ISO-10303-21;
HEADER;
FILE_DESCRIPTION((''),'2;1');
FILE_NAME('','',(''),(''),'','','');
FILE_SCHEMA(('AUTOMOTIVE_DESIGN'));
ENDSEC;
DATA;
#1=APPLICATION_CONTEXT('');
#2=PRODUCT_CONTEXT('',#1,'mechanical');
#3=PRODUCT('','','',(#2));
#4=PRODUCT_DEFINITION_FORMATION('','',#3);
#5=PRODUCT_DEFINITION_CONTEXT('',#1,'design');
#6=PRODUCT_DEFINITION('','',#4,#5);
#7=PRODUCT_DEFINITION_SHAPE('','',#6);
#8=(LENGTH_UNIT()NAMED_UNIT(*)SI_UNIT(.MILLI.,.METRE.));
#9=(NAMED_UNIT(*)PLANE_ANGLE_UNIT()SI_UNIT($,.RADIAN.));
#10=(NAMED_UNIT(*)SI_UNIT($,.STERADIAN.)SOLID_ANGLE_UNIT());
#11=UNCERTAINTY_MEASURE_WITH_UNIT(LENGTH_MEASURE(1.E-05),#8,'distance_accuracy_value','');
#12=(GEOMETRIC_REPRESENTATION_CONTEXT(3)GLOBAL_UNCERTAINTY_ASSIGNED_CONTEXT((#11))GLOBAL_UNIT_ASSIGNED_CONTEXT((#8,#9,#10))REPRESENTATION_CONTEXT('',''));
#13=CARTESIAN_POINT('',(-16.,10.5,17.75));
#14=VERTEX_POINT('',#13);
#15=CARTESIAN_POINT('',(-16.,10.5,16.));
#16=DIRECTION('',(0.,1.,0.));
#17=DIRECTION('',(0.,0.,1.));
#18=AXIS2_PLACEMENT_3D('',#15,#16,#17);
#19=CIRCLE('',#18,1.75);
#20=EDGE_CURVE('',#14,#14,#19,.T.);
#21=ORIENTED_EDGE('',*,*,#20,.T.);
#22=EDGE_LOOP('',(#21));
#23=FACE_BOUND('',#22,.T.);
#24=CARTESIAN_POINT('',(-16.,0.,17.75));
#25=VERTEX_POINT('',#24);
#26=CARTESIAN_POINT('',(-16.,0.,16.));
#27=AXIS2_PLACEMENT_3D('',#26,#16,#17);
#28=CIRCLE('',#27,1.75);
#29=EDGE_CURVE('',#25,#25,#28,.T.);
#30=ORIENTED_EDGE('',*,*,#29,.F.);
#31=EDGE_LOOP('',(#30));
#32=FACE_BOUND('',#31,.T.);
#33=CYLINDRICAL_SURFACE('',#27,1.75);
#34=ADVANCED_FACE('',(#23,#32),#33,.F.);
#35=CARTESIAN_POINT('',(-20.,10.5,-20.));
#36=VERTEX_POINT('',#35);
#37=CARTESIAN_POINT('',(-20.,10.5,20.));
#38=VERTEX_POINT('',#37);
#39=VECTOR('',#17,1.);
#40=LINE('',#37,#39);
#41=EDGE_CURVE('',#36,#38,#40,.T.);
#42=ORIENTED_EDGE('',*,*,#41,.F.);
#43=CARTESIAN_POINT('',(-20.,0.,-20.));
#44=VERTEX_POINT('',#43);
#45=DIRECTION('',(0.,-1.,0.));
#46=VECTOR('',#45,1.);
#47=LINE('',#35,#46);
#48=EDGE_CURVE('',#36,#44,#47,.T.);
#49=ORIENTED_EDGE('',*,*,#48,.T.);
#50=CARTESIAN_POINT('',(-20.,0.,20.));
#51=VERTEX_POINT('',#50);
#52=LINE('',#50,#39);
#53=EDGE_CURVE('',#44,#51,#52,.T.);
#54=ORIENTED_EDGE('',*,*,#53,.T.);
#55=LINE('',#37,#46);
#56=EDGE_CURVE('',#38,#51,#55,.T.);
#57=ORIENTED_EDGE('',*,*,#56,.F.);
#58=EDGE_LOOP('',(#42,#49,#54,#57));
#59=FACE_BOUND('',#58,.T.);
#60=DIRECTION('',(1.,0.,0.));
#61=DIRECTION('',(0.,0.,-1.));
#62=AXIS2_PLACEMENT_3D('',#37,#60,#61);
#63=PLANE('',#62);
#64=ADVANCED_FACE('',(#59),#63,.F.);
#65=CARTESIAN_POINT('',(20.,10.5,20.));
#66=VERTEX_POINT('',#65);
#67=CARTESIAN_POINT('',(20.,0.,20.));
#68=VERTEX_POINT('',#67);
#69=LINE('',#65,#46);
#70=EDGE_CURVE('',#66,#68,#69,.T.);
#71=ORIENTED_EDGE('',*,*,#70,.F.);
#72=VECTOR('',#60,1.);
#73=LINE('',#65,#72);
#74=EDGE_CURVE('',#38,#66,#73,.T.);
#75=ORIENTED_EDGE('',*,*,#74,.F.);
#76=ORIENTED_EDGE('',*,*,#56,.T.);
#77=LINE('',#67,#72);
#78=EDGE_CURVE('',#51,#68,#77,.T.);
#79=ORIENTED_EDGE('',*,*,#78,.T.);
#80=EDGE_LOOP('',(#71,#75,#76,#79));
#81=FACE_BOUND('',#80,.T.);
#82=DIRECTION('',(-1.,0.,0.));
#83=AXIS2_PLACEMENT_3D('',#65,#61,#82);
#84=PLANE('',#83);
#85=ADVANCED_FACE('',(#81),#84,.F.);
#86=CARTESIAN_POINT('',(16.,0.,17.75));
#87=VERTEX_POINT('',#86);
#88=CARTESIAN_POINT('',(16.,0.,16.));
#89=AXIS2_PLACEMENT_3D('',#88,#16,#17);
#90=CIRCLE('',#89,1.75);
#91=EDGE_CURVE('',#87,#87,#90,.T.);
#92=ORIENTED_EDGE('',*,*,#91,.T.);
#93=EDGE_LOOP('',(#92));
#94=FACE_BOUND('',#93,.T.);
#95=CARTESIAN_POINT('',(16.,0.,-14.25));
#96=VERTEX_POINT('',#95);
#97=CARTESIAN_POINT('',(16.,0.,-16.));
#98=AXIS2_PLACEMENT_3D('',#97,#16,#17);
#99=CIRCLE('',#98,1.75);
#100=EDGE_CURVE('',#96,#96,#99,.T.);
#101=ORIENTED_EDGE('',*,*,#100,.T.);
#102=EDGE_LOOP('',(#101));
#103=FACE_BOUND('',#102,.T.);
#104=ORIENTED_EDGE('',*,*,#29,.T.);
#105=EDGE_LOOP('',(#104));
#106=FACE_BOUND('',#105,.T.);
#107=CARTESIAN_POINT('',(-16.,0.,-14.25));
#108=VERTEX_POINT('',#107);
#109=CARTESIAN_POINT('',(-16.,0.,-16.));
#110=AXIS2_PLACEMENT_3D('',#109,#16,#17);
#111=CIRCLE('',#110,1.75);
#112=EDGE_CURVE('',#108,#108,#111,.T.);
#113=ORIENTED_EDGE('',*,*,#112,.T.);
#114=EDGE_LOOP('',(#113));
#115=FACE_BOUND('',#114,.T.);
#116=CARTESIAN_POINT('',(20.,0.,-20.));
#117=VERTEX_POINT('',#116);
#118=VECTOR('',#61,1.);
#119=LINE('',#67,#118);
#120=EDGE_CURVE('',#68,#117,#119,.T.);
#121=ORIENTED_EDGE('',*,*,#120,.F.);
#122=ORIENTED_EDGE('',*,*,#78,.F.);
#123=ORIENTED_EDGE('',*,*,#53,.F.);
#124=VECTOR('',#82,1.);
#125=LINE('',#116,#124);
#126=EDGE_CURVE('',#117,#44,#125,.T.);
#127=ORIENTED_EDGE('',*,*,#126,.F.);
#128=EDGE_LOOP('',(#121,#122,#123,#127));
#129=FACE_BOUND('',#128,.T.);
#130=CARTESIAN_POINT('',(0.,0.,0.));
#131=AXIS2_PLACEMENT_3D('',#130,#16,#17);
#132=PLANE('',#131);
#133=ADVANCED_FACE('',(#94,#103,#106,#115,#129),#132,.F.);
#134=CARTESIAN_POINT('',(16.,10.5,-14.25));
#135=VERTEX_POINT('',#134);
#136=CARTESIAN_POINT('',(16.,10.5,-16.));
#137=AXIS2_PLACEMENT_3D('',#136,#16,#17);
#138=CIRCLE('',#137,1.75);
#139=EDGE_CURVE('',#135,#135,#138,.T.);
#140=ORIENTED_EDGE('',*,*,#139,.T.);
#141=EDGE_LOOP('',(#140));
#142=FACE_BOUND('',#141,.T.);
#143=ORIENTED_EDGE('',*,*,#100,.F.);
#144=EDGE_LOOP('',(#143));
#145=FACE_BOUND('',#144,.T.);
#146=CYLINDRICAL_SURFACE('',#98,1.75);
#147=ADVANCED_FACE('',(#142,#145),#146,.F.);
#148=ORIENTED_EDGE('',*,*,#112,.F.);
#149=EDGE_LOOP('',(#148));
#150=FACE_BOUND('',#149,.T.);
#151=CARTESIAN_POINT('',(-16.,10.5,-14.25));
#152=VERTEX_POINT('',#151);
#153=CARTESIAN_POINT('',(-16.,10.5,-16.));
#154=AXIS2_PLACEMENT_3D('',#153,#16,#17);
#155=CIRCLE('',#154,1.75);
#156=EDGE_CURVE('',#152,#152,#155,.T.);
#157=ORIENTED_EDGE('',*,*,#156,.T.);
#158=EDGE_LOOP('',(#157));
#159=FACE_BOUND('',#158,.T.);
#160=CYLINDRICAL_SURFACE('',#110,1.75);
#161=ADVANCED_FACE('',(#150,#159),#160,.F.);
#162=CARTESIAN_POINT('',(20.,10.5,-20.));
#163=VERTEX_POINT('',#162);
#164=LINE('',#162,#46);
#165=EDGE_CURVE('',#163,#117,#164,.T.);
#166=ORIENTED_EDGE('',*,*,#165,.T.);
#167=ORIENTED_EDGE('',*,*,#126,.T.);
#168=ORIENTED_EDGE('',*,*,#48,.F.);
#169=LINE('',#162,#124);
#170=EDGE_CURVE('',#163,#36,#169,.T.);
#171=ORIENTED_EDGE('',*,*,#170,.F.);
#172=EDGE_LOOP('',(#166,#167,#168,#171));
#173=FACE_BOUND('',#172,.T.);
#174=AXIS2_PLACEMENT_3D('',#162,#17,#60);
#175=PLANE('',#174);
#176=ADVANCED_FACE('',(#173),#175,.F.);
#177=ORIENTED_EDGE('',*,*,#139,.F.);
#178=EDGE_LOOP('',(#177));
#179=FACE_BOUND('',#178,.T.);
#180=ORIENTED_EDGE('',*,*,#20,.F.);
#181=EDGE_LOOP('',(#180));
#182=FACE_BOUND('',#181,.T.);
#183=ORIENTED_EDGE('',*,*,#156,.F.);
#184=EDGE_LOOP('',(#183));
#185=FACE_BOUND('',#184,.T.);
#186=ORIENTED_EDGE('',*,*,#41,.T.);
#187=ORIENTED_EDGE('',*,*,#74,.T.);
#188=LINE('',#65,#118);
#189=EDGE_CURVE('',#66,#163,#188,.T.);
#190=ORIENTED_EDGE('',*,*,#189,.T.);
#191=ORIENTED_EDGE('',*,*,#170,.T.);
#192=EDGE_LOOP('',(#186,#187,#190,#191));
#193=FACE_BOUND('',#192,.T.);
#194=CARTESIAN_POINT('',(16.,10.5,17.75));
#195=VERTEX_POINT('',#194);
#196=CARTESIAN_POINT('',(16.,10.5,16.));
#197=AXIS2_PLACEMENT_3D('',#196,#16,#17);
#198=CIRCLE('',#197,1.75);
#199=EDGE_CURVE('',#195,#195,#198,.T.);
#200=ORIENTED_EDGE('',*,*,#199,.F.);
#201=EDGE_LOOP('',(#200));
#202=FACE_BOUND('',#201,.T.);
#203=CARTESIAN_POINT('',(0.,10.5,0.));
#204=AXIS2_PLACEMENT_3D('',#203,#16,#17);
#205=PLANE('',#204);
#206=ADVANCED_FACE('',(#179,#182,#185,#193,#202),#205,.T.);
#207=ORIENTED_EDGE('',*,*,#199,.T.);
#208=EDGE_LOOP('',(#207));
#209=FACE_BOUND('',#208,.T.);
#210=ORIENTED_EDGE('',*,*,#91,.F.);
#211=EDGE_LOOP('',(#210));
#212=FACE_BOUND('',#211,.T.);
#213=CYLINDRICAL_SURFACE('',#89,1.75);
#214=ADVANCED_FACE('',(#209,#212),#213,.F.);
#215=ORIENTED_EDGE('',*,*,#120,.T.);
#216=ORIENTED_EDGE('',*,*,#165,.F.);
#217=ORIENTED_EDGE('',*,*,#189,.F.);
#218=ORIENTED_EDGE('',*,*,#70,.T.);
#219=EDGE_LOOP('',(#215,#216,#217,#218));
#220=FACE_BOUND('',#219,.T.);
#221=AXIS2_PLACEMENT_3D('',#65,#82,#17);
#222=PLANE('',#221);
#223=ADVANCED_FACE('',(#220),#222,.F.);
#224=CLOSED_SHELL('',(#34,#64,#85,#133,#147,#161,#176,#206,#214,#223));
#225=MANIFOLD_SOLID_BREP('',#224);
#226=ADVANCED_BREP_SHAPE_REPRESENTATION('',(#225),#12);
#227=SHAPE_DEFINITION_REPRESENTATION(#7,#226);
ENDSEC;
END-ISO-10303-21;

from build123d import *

# Parameters (mm, degrees)
SKETCH1_W           = 40
SKETCH1_H           = 40
BOSS_EXTRUDE1_DEPTH = 10.5
SKETCH2_R           = 1.75
CUT_EXTRUDE1_DEPTH  = 10.5


with BuildPart() as part:
    # Sketch1 → Boss-Extrude1 (new body)
    with BuildSketch(Plane(origin=(0, 0, 0), x_dir=(1, 0, 0), z_dir=(0, 1, 0))):
        Rectangle(SKETCH1_W, SKETCH1_H)
    extrude(amount=BOSS_EXTRUDE1_DEPTH)

    # Sketch2 → Cut-Extrude1 (cut)
    with BuildSketch(Plane(origin=(0, 10.5, 0), x_dir=(1, 0, 0), z_dir=(0, 1, 0))):
        with Locations((-16, 16)):
            Circle(SKETCH2_R)
        with Locations((16, 16)):
            Circle(SKETCH2_R)
        with Locations((16, -16)):
            Circle(SKETCH2_R)
        with Locations((-16, -16)):
            Circle(SKETCH2_R)
    extrude(amount=-CUT_EXTRUDE1_DEPTH, mode=Mode.SUBTRACT)


solid = part.part
